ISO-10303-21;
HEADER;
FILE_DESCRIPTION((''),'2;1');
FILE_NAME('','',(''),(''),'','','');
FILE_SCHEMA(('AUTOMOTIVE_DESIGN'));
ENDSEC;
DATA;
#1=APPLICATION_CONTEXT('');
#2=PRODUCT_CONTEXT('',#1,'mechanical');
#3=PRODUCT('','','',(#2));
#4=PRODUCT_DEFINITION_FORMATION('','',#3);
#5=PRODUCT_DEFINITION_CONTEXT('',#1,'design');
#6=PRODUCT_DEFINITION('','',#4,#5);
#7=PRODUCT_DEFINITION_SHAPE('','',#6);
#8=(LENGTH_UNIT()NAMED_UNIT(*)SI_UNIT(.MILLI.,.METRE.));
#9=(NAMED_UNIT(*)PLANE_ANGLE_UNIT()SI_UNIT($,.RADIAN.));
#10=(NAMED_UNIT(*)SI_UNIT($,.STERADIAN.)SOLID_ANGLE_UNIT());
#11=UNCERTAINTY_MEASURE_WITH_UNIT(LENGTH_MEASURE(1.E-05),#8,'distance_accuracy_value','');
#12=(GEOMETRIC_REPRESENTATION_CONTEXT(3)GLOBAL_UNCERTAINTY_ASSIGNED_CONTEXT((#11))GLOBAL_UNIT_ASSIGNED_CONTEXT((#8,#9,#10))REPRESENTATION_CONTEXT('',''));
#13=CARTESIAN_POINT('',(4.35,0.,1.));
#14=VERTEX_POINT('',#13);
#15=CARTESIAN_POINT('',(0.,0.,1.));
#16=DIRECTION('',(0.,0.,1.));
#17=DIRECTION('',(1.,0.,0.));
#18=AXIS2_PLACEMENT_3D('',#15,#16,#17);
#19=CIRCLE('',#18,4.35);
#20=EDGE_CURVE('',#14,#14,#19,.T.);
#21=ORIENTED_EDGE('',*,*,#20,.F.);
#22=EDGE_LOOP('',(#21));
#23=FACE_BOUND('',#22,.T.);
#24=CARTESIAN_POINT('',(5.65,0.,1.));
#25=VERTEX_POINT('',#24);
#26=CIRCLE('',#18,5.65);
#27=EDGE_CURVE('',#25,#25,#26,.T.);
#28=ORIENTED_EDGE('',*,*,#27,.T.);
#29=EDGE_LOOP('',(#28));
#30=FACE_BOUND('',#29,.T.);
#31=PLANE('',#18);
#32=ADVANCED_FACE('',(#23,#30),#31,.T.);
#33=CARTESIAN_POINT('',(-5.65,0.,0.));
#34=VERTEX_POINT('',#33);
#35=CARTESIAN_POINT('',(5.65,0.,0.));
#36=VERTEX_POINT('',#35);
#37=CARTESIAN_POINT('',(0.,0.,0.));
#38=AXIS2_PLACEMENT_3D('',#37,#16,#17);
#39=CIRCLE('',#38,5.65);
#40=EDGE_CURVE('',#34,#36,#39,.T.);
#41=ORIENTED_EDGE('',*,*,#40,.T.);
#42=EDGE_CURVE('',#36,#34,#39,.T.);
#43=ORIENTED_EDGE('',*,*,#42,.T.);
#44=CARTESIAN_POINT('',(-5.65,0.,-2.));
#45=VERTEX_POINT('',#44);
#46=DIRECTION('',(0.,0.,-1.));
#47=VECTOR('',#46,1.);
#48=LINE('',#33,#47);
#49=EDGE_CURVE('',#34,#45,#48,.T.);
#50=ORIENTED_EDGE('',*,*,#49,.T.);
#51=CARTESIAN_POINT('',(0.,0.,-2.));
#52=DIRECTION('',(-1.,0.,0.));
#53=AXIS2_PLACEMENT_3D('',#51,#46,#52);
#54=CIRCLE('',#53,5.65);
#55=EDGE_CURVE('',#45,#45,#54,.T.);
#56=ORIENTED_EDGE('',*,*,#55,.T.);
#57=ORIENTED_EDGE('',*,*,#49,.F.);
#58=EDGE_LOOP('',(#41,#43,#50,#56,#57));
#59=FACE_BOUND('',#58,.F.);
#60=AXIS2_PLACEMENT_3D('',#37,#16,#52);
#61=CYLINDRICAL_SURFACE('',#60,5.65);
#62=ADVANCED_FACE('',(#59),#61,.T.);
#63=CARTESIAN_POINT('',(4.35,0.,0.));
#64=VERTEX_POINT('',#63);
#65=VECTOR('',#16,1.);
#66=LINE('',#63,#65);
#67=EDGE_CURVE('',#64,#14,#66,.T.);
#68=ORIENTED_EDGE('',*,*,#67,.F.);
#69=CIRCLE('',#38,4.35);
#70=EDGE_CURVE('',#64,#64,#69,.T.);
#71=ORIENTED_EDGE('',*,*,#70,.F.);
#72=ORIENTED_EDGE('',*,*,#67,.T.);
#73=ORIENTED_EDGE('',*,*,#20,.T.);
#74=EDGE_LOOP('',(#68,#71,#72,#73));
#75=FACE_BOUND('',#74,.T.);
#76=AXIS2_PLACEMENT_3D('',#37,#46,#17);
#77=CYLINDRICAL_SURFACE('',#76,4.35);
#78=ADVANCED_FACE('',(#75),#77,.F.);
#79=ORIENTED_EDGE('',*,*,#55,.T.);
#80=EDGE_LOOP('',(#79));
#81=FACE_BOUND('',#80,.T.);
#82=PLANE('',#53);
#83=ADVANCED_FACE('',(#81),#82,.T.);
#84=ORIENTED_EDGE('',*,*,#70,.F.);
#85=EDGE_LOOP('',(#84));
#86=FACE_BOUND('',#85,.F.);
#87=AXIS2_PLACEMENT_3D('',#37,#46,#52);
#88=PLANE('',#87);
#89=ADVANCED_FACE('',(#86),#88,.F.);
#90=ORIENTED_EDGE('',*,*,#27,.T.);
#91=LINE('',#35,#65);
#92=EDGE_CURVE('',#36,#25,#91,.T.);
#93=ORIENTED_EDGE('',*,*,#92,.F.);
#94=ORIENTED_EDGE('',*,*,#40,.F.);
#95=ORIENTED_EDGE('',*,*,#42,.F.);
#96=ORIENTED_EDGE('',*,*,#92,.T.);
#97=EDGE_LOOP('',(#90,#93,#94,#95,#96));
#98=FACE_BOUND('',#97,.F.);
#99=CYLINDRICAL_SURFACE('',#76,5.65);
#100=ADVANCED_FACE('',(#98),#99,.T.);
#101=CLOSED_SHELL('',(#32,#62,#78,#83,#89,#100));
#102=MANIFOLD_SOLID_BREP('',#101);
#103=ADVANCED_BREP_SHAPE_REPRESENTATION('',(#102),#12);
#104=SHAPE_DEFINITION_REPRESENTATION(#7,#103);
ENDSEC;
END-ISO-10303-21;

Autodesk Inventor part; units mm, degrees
ref_plane "YZ Plane" through (0, 0, 0) normal (1, 0, 0) x (0, 1, 0)
ref_plane "XZ Plane" through (0, 0, 0) normal (0, 1, 0) x (-1, 0, 0)
ref_plane "XY Plane" through (0, 0, 0) normal (0, 0, 1) x (1, 0, 0)
sketch "Sketch1" plane through (0, 0, 0) normal (0, 0, 1) x (1, 0, 0)
  circle A0 centre (0, 0) radius 4.35
  circle A1 centre (0, 0) radius 5.65
  dimension "d0" = 8.7
  dimension "d1" = 1.3
extrude "Extrusion1" add sketch "Sketch1" along normal blind 1
sketch "Sketch2" plane through (0, 0, 0) normal (0, 0, -1) x (-1, 0, 0)
  circle A0 centre (0, 0) radius 4.35 projected
  circle A1 centre (0, 0) radius 5.65 projected
extrude "Extrusion2" add sketch "Sketch2" along normal blind 2 contours A0 | A1
properties part number "shaft_stopper"
